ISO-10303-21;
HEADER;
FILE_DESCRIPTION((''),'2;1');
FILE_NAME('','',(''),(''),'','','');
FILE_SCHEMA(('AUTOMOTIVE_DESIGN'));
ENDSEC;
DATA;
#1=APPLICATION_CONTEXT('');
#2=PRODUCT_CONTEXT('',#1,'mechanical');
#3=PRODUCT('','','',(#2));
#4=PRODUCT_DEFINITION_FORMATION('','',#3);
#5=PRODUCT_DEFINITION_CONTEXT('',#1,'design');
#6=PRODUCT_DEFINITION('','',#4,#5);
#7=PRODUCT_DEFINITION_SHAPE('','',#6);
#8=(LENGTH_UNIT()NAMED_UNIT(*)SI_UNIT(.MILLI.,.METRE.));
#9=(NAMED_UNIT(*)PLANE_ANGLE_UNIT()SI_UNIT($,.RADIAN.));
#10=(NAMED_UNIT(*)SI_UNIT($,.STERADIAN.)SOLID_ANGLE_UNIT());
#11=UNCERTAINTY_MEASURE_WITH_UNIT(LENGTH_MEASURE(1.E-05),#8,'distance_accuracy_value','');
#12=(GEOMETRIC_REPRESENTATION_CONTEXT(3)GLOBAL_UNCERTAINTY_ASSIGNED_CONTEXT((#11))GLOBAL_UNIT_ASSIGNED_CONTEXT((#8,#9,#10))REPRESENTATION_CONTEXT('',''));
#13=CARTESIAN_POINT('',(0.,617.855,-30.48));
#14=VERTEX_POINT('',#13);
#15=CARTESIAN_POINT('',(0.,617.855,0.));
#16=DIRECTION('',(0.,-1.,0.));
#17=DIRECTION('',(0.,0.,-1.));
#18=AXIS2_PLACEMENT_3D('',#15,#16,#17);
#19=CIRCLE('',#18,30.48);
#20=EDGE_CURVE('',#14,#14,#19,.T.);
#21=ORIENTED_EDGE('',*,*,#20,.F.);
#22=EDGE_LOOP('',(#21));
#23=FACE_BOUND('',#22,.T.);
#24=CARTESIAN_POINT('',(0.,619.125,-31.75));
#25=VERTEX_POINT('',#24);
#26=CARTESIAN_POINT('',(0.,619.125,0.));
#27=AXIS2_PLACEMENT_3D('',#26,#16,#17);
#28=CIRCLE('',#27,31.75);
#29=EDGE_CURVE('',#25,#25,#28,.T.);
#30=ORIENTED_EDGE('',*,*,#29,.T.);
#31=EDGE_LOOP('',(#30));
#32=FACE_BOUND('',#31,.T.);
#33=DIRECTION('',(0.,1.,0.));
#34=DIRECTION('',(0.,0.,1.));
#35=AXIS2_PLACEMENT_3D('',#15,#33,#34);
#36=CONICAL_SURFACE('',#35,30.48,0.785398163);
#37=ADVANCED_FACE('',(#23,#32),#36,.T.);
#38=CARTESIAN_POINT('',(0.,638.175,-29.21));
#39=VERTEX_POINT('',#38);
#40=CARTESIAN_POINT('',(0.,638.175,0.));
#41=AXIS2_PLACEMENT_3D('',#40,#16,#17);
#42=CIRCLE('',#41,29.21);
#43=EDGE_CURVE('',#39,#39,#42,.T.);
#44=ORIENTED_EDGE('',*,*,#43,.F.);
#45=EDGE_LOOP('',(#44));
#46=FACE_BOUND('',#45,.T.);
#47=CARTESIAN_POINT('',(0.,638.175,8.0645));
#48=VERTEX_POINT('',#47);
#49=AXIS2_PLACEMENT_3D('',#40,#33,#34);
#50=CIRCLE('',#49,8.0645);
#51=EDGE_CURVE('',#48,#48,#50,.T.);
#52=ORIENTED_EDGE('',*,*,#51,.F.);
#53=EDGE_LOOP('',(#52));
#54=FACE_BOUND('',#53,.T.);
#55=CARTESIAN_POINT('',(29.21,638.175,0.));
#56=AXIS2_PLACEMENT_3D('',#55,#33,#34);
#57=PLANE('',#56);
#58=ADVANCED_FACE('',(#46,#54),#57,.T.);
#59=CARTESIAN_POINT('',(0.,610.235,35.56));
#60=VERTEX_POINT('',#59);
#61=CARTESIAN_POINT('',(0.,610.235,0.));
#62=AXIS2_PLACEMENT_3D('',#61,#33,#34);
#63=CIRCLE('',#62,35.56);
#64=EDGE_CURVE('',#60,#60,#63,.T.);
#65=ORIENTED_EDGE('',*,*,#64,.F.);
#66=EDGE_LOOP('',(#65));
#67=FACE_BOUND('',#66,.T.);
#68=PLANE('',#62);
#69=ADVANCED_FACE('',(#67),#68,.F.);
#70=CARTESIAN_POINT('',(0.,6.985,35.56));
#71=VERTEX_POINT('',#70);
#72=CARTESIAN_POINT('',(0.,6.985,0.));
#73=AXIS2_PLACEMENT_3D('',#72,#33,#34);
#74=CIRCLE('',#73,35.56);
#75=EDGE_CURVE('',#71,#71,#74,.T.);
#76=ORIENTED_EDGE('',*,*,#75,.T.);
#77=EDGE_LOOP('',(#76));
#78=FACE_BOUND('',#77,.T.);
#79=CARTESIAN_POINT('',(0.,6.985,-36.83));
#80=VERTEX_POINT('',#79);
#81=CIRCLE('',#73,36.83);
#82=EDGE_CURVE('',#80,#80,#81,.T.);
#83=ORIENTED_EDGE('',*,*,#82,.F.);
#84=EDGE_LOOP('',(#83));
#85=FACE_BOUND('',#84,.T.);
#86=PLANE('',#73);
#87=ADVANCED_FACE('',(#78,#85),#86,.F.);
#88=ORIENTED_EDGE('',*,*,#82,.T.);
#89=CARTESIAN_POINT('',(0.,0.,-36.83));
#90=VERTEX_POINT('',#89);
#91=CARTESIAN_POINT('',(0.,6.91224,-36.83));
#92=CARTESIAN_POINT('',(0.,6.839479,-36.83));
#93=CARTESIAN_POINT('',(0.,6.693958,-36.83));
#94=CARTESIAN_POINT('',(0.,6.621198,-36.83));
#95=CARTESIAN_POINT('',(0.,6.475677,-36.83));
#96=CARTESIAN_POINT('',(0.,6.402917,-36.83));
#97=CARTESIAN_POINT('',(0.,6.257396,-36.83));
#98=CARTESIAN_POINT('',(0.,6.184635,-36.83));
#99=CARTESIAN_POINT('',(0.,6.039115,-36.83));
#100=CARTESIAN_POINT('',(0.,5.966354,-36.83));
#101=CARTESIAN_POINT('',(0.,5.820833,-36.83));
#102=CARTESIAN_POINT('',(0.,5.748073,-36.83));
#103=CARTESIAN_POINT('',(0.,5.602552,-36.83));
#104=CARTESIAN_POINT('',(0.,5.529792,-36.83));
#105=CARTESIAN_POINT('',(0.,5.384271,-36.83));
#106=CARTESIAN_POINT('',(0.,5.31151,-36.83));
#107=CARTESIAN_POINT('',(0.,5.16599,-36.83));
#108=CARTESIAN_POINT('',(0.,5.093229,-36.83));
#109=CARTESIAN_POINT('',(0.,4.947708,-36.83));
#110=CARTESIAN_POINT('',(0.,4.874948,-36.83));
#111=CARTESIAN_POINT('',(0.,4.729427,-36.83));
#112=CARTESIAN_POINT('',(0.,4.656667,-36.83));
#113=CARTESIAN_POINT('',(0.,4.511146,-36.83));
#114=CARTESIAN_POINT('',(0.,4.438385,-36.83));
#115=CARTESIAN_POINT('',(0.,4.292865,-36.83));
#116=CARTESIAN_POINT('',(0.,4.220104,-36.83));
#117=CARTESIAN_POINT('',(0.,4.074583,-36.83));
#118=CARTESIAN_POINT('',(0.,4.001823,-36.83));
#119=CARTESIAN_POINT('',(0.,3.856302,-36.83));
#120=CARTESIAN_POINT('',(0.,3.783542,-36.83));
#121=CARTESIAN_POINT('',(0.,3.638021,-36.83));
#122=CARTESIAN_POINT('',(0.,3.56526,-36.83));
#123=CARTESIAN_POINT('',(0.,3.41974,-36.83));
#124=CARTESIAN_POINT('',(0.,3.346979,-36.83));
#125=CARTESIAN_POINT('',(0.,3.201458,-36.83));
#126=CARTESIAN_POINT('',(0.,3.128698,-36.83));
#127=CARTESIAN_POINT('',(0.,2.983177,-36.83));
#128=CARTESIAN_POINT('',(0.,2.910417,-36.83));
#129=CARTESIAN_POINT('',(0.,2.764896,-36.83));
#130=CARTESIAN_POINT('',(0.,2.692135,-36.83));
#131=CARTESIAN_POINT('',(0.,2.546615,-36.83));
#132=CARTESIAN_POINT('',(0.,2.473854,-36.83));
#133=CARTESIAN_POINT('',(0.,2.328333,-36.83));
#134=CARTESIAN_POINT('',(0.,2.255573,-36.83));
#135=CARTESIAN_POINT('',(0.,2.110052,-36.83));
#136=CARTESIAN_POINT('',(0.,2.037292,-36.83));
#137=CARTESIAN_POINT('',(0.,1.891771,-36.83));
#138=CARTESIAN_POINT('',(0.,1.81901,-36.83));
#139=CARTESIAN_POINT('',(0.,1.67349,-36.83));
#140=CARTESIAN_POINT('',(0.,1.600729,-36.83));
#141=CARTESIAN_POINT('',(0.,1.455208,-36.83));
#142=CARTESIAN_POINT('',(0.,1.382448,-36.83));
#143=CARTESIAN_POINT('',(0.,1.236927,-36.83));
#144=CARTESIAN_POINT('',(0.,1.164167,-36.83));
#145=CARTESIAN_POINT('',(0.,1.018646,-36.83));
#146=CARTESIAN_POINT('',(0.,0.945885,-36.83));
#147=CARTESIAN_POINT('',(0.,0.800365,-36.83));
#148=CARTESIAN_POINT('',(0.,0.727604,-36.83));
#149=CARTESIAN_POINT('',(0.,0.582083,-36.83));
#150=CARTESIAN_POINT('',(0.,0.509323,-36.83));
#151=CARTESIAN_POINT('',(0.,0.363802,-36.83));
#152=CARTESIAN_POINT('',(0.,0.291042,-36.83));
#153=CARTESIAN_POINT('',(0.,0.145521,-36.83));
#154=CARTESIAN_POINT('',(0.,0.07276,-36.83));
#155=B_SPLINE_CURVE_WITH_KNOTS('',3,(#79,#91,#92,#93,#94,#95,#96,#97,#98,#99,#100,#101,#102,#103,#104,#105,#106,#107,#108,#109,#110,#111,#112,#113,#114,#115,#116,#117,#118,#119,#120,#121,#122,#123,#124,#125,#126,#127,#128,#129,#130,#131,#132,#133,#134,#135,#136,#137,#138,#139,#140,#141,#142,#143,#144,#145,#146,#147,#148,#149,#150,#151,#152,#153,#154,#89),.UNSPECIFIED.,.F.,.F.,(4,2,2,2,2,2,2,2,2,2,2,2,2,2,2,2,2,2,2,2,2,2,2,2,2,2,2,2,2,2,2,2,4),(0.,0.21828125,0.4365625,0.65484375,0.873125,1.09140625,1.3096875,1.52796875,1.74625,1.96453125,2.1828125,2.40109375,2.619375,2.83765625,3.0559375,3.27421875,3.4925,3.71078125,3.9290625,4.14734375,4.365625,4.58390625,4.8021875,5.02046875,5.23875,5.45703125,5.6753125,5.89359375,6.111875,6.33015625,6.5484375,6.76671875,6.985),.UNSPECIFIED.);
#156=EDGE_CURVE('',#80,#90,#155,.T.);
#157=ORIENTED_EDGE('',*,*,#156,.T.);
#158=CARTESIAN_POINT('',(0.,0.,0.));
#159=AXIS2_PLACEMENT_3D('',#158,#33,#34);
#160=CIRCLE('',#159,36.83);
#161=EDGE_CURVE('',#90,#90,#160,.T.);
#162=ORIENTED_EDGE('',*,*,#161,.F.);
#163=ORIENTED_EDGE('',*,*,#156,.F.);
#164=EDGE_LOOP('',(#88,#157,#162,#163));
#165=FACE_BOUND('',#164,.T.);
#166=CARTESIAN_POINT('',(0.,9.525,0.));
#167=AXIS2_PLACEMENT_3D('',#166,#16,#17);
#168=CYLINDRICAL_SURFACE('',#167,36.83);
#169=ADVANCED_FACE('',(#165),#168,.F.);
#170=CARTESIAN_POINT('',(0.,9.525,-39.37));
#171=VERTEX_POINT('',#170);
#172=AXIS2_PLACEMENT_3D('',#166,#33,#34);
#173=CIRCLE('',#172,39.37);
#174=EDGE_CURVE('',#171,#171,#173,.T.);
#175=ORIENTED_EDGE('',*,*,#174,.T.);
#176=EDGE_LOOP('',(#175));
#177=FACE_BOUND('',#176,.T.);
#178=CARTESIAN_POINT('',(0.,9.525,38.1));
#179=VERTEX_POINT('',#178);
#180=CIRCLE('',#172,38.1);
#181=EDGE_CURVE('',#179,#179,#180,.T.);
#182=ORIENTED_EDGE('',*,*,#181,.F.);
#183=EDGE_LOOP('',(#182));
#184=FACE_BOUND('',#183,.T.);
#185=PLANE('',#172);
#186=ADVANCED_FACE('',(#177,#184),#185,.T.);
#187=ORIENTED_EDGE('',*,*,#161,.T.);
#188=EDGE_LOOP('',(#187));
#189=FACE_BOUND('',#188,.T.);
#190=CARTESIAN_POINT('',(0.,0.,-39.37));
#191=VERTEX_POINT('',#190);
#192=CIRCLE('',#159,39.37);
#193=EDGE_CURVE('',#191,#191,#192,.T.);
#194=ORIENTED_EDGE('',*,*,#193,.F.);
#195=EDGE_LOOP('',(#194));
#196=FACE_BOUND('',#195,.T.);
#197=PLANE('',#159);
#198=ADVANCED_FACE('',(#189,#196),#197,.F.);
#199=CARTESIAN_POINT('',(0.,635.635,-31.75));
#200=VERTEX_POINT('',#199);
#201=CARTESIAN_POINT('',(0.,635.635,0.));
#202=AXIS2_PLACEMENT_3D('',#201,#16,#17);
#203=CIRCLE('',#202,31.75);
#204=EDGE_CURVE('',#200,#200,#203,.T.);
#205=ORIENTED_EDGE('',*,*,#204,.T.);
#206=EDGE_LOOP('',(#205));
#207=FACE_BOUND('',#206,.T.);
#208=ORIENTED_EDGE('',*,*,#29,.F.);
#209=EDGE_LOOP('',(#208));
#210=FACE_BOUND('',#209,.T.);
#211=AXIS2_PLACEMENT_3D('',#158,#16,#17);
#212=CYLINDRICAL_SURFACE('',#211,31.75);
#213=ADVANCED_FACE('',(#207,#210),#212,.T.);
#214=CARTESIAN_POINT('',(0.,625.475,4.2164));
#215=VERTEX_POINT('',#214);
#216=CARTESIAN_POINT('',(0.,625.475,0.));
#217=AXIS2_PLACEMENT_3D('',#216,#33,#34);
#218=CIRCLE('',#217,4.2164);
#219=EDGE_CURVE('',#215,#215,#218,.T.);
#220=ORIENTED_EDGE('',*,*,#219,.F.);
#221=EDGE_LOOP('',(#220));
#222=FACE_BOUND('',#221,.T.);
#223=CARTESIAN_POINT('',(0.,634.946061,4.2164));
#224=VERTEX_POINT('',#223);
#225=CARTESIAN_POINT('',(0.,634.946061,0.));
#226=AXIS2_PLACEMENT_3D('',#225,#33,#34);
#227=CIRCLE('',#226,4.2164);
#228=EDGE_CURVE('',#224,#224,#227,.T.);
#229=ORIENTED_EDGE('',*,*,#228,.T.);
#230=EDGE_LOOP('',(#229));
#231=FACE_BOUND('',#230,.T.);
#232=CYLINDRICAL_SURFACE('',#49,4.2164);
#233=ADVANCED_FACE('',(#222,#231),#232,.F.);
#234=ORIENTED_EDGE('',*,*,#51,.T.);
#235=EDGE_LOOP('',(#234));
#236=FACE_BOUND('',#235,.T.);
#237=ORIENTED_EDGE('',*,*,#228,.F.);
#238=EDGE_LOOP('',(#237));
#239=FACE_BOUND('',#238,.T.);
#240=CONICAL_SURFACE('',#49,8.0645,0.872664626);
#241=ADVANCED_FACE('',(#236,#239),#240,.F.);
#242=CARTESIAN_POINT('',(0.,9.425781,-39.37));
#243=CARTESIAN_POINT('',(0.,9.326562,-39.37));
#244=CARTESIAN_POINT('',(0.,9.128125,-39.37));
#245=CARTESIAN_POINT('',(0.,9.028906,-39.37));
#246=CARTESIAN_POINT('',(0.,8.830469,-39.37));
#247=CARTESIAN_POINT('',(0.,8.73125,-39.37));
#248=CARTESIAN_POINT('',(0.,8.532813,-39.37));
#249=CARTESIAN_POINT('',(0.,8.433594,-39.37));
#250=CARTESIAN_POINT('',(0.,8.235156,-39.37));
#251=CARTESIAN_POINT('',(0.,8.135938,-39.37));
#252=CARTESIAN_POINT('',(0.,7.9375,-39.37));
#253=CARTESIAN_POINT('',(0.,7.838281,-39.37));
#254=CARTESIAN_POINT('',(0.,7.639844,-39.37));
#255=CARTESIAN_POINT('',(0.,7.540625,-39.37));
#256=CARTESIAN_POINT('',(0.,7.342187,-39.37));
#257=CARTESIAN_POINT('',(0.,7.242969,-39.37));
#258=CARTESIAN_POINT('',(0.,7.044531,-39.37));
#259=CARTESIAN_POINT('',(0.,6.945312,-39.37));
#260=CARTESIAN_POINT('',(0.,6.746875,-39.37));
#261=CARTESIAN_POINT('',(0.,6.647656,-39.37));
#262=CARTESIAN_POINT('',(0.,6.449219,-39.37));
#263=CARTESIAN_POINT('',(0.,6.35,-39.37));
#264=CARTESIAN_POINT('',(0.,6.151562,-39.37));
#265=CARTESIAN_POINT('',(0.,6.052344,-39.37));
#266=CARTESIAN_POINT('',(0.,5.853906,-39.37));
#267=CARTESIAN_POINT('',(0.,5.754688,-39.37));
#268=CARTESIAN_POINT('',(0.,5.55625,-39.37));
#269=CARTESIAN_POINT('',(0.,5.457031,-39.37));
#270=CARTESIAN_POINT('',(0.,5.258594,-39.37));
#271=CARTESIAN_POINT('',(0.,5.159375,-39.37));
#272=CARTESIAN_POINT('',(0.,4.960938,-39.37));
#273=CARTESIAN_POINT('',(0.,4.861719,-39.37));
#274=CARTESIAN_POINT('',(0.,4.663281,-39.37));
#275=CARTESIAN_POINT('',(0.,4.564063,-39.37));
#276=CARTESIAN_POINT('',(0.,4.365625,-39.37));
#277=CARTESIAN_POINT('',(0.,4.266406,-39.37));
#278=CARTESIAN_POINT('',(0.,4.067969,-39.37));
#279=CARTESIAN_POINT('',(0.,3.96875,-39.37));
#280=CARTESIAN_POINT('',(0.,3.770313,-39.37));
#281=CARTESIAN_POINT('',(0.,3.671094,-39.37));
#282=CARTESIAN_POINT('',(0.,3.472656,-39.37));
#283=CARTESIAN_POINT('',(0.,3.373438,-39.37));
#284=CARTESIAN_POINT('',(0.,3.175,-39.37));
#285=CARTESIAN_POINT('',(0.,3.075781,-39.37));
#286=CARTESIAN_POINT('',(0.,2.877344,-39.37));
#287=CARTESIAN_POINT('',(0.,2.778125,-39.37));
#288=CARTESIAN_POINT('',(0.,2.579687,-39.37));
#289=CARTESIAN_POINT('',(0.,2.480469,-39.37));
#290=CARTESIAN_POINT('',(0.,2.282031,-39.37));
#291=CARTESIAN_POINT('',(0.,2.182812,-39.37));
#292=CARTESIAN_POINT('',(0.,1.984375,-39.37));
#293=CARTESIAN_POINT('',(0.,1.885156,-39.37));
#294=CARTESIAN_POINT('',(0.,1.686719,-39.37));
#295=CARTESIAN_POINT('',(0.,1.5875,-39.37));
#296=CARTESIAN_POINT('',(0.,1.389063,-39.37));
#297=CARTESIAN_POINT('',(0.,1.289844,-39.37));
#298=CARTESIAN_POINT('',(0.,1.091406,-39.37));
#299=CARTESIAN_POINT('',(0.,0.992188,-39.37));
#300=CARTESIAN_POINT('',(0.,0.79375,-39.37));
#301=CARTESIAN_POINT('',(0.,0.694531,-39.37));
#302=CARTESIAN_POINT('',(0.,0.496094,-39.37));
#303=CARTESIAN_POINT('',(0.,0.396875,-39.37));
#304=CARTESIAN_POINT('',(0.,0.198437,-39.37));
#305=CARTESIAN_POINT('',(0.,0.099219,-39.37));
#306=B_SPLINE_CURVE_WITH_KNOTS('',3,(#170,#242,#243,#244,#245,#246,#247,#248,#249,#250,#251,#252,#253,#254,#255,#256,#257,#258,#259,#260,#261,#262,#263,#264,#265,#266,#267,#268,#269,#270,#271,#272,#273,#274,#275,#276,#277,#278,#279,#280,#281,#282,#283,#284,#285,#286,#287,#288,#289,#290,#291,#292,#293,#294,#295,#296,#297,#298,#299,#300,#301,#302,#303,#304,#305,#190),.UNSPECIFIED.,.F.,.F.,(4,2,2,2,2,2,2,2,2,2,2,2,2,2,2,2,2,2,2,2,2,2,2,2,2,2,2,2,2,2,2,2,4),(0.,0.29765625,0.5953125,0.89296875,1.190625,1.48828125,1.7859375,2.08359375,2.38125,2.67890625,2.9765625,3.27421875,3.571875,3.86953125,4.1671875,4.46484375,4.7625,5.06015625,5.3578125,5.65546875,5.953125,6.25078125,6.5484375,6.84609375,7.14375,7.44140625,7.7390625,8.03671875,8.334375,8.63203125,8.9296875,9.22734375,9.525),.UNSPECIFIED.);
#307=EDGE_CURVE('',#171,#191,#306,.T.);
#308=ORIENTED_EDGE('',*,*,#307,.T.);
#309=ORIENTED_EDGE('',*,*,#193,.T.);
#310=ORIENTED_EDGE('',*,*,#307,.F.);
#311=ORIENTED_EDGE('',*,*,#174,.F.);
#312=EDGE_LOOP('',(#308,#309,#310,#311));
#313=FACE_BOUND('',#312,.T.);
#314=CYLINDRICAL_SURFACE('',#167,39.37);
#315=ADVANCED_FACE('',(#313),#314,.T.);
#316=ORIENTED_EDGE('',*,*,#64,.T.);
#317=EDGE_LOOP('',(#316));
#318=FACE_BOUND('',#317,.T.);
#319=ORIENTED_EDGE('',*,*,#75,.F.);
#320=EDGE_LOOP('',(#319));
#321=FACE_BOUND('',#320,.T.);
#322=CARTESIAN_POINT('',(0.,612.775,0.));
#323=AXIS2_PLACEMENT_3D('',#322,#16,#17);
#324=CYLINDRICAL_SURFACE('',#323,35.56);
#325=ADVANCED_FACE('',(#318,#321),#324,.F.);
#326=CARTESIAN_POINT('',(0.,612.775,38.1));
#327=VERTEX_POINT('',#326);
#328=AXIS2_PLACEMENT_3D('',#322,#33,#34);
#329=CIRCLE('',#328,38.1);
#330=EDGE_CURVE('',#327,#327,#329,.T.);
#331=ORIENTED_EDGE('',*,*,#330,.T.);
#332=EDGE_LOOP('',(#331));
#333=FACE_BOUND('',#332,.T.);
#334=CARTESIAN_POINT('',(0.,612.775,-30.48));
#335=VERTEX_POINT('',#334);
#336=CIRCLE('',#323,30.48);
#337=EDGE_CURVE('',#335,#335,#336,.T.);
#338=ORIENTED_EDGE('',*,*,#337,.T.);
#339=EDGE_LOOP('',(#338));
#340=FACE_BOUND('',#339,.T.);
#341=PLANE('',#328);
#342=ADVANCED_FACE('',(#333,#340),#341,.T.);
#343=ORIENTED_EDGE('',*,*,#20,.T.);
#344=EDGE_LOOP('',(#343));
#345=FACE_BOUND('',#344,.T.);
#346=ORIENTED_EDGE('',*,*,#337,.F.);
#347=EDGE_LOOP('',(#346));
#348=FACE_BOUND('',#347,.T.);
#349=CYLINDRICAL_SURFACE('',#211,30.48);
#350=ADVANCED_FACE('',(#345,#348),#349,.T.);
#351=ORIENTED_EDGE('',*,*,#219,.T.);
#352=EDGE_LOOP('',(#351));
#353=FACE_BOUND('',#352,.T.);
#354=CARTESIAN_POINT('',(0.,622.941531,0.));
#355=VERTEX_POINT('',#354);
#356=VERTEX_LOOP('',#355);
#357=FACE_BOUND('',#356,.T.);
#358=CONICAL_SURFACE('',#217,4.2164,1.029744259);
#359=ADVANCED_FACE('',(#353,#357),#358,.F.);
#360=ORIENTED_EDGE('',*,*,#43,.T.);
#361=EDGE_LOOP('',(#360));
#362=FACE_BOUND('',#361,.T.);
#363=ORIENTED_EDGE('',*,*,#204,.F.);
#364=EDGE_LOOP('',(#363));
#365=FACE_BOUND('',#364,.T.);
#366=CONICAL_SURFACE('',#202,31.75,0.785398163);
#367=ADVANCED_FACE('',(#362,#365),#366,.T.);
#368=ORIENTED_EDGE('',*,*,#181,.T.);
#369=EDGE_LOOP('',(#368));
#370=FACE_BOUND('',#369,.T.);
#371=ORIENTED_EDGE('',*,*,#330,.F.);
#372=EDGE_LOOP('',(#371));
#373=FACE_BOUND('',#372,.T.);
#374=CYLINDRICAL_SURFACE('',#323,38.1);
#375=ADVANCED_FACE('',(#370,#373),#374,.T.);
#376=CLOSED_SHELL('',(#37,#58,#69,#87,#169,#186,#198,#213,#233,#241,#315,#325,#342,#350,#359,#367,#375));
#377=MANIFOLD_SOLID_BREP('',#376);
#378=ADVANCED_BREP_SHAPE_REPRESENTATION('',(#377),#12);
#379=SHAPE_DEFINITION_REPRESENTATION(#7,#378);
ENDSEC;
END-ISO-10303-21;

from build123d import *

# Parameters (mm, degrees)
SKETCH1_R                                           = 39.37
BOSS_EXTRUDE1_DEPTH                                 = 9.525
SKETCH2_R                                           = 38.1
BOSS_EXTRUDE2_DEPTH                                 = 603.25
SHELL1_T                                            = -2.54
CSK_FOR_5_16_FLAT_HEAD_MACHINE_SCREW_10_D           = 8.4328
CSK_FOR_5_16_FLAT_HEAD_MACHINE_SCREW_10_DEPTH       = 12.7
CSK_FOR_5_16_FLAT_HEAD_MACHINE_SCREW_10_CSINK_D     = 16.129
CSK_FOR_5_16_FLAT_HEAD_MACHINE_SCREW_10_CSINK_ANGLE = 100
CSK_FOR_5_16_FLAT_HEAD_MACHINE_SCREW_10_TIP         = 2.533468714


with BuildPart() as part:
    # Sketch1 → Boss-Extrude1 (new body)
    with BuildSketch(Plane(origin=(0, 0, 0), x_dir=(1, 0, 0), z_dir=(0, 1, 0))):
        with Locations(Location((0, 0, 0), (0, 0, 90))):
            Circle(SKETCH1_R)
    extrude(amount=BOSS_EXTRUDE1_DEPTH)

    # Sketch2 → Boss-Extrude2 (add)
    with BuildSketch(Plane(origin=(0, 9.525, 0), x_dir=(1, 0, 0), z_dir=(0, 1, 0))):
        with Locations(Location((0, 0, 0), (0, 0, 270))):
            Circle(SKETCH2_R)
    extrude(amount=BOSS_EXTRUDE2_DEPTH)

    # Shell1
    shell1_openings = [part.faces().sort_by_distance(p)[0] for p in [
        (0, 0, 0),
    ]]
    offset(amount=SHELL1_T, openings=shell1_openings, kind=Kind.INTERSECTION)

    # Sketch4 → Revolve1 (revolve)
    with BuildSketch(Plane.XY, mode=Mode.PRIVATE) as revolve1_sk:
        Polygon((0, 612.775), (30.48, 612.775), (30.48, 617.855), (31.75, 619.125), (31.75, 635.635), (29.21, 638.175), (0, 638.175), align=None)
    revolve(revolve1_sk.sketch.rotate(Axis((0, 0, 0), (0, 1, 0)), 90), axis=Axis((0, 0, 0), (0, 1, 0)))

    # CSK for 5/16 Flat Head Machine Screw (100)1
    with Locations(Plane(origin=(0, 638.175, 0), x_dir=(1, 0, 0), z_dir=(0, 1, 0))):
        with Locations((0, 0)):
            CounterSinkHole(CSK_FOR_5_16_FLAT_HEAD_MACHINE_SCREW_10_D / 2, CSK_FOR_5_16_FLAT_HEAD_MACHINE_SCREW_10_CSINK_D / 2, depth=CSK_FOR_5_16_FLAT_HEAD_MACHINE_SCREW_10_DEPTH, counter_sink_angle=CSK_FOR_5_16_FLAT_HEAD_MACHINE_SCREW_10_CSINK_ANGLE)
            with Locations((0, 0, -(CSK_FOR_5_16_FLAT_HEAD_MACHINE_SCREW_10_DEPTH + CSK_FOR_5_16_FLAT_HEAD_MACHINE_SCREW_10_TIP / 2))):  # 118° drill point
                Cone(0, CSK_FOR_5_16_FLAT_HEAD_MACHINE_SCREW_10_D / 2, CSK_FOR_5_16_FLAT_HEAD_MACHINE_SCREW_10_TIP, mode=Mode.SUBTRACT)


solid = part.part
